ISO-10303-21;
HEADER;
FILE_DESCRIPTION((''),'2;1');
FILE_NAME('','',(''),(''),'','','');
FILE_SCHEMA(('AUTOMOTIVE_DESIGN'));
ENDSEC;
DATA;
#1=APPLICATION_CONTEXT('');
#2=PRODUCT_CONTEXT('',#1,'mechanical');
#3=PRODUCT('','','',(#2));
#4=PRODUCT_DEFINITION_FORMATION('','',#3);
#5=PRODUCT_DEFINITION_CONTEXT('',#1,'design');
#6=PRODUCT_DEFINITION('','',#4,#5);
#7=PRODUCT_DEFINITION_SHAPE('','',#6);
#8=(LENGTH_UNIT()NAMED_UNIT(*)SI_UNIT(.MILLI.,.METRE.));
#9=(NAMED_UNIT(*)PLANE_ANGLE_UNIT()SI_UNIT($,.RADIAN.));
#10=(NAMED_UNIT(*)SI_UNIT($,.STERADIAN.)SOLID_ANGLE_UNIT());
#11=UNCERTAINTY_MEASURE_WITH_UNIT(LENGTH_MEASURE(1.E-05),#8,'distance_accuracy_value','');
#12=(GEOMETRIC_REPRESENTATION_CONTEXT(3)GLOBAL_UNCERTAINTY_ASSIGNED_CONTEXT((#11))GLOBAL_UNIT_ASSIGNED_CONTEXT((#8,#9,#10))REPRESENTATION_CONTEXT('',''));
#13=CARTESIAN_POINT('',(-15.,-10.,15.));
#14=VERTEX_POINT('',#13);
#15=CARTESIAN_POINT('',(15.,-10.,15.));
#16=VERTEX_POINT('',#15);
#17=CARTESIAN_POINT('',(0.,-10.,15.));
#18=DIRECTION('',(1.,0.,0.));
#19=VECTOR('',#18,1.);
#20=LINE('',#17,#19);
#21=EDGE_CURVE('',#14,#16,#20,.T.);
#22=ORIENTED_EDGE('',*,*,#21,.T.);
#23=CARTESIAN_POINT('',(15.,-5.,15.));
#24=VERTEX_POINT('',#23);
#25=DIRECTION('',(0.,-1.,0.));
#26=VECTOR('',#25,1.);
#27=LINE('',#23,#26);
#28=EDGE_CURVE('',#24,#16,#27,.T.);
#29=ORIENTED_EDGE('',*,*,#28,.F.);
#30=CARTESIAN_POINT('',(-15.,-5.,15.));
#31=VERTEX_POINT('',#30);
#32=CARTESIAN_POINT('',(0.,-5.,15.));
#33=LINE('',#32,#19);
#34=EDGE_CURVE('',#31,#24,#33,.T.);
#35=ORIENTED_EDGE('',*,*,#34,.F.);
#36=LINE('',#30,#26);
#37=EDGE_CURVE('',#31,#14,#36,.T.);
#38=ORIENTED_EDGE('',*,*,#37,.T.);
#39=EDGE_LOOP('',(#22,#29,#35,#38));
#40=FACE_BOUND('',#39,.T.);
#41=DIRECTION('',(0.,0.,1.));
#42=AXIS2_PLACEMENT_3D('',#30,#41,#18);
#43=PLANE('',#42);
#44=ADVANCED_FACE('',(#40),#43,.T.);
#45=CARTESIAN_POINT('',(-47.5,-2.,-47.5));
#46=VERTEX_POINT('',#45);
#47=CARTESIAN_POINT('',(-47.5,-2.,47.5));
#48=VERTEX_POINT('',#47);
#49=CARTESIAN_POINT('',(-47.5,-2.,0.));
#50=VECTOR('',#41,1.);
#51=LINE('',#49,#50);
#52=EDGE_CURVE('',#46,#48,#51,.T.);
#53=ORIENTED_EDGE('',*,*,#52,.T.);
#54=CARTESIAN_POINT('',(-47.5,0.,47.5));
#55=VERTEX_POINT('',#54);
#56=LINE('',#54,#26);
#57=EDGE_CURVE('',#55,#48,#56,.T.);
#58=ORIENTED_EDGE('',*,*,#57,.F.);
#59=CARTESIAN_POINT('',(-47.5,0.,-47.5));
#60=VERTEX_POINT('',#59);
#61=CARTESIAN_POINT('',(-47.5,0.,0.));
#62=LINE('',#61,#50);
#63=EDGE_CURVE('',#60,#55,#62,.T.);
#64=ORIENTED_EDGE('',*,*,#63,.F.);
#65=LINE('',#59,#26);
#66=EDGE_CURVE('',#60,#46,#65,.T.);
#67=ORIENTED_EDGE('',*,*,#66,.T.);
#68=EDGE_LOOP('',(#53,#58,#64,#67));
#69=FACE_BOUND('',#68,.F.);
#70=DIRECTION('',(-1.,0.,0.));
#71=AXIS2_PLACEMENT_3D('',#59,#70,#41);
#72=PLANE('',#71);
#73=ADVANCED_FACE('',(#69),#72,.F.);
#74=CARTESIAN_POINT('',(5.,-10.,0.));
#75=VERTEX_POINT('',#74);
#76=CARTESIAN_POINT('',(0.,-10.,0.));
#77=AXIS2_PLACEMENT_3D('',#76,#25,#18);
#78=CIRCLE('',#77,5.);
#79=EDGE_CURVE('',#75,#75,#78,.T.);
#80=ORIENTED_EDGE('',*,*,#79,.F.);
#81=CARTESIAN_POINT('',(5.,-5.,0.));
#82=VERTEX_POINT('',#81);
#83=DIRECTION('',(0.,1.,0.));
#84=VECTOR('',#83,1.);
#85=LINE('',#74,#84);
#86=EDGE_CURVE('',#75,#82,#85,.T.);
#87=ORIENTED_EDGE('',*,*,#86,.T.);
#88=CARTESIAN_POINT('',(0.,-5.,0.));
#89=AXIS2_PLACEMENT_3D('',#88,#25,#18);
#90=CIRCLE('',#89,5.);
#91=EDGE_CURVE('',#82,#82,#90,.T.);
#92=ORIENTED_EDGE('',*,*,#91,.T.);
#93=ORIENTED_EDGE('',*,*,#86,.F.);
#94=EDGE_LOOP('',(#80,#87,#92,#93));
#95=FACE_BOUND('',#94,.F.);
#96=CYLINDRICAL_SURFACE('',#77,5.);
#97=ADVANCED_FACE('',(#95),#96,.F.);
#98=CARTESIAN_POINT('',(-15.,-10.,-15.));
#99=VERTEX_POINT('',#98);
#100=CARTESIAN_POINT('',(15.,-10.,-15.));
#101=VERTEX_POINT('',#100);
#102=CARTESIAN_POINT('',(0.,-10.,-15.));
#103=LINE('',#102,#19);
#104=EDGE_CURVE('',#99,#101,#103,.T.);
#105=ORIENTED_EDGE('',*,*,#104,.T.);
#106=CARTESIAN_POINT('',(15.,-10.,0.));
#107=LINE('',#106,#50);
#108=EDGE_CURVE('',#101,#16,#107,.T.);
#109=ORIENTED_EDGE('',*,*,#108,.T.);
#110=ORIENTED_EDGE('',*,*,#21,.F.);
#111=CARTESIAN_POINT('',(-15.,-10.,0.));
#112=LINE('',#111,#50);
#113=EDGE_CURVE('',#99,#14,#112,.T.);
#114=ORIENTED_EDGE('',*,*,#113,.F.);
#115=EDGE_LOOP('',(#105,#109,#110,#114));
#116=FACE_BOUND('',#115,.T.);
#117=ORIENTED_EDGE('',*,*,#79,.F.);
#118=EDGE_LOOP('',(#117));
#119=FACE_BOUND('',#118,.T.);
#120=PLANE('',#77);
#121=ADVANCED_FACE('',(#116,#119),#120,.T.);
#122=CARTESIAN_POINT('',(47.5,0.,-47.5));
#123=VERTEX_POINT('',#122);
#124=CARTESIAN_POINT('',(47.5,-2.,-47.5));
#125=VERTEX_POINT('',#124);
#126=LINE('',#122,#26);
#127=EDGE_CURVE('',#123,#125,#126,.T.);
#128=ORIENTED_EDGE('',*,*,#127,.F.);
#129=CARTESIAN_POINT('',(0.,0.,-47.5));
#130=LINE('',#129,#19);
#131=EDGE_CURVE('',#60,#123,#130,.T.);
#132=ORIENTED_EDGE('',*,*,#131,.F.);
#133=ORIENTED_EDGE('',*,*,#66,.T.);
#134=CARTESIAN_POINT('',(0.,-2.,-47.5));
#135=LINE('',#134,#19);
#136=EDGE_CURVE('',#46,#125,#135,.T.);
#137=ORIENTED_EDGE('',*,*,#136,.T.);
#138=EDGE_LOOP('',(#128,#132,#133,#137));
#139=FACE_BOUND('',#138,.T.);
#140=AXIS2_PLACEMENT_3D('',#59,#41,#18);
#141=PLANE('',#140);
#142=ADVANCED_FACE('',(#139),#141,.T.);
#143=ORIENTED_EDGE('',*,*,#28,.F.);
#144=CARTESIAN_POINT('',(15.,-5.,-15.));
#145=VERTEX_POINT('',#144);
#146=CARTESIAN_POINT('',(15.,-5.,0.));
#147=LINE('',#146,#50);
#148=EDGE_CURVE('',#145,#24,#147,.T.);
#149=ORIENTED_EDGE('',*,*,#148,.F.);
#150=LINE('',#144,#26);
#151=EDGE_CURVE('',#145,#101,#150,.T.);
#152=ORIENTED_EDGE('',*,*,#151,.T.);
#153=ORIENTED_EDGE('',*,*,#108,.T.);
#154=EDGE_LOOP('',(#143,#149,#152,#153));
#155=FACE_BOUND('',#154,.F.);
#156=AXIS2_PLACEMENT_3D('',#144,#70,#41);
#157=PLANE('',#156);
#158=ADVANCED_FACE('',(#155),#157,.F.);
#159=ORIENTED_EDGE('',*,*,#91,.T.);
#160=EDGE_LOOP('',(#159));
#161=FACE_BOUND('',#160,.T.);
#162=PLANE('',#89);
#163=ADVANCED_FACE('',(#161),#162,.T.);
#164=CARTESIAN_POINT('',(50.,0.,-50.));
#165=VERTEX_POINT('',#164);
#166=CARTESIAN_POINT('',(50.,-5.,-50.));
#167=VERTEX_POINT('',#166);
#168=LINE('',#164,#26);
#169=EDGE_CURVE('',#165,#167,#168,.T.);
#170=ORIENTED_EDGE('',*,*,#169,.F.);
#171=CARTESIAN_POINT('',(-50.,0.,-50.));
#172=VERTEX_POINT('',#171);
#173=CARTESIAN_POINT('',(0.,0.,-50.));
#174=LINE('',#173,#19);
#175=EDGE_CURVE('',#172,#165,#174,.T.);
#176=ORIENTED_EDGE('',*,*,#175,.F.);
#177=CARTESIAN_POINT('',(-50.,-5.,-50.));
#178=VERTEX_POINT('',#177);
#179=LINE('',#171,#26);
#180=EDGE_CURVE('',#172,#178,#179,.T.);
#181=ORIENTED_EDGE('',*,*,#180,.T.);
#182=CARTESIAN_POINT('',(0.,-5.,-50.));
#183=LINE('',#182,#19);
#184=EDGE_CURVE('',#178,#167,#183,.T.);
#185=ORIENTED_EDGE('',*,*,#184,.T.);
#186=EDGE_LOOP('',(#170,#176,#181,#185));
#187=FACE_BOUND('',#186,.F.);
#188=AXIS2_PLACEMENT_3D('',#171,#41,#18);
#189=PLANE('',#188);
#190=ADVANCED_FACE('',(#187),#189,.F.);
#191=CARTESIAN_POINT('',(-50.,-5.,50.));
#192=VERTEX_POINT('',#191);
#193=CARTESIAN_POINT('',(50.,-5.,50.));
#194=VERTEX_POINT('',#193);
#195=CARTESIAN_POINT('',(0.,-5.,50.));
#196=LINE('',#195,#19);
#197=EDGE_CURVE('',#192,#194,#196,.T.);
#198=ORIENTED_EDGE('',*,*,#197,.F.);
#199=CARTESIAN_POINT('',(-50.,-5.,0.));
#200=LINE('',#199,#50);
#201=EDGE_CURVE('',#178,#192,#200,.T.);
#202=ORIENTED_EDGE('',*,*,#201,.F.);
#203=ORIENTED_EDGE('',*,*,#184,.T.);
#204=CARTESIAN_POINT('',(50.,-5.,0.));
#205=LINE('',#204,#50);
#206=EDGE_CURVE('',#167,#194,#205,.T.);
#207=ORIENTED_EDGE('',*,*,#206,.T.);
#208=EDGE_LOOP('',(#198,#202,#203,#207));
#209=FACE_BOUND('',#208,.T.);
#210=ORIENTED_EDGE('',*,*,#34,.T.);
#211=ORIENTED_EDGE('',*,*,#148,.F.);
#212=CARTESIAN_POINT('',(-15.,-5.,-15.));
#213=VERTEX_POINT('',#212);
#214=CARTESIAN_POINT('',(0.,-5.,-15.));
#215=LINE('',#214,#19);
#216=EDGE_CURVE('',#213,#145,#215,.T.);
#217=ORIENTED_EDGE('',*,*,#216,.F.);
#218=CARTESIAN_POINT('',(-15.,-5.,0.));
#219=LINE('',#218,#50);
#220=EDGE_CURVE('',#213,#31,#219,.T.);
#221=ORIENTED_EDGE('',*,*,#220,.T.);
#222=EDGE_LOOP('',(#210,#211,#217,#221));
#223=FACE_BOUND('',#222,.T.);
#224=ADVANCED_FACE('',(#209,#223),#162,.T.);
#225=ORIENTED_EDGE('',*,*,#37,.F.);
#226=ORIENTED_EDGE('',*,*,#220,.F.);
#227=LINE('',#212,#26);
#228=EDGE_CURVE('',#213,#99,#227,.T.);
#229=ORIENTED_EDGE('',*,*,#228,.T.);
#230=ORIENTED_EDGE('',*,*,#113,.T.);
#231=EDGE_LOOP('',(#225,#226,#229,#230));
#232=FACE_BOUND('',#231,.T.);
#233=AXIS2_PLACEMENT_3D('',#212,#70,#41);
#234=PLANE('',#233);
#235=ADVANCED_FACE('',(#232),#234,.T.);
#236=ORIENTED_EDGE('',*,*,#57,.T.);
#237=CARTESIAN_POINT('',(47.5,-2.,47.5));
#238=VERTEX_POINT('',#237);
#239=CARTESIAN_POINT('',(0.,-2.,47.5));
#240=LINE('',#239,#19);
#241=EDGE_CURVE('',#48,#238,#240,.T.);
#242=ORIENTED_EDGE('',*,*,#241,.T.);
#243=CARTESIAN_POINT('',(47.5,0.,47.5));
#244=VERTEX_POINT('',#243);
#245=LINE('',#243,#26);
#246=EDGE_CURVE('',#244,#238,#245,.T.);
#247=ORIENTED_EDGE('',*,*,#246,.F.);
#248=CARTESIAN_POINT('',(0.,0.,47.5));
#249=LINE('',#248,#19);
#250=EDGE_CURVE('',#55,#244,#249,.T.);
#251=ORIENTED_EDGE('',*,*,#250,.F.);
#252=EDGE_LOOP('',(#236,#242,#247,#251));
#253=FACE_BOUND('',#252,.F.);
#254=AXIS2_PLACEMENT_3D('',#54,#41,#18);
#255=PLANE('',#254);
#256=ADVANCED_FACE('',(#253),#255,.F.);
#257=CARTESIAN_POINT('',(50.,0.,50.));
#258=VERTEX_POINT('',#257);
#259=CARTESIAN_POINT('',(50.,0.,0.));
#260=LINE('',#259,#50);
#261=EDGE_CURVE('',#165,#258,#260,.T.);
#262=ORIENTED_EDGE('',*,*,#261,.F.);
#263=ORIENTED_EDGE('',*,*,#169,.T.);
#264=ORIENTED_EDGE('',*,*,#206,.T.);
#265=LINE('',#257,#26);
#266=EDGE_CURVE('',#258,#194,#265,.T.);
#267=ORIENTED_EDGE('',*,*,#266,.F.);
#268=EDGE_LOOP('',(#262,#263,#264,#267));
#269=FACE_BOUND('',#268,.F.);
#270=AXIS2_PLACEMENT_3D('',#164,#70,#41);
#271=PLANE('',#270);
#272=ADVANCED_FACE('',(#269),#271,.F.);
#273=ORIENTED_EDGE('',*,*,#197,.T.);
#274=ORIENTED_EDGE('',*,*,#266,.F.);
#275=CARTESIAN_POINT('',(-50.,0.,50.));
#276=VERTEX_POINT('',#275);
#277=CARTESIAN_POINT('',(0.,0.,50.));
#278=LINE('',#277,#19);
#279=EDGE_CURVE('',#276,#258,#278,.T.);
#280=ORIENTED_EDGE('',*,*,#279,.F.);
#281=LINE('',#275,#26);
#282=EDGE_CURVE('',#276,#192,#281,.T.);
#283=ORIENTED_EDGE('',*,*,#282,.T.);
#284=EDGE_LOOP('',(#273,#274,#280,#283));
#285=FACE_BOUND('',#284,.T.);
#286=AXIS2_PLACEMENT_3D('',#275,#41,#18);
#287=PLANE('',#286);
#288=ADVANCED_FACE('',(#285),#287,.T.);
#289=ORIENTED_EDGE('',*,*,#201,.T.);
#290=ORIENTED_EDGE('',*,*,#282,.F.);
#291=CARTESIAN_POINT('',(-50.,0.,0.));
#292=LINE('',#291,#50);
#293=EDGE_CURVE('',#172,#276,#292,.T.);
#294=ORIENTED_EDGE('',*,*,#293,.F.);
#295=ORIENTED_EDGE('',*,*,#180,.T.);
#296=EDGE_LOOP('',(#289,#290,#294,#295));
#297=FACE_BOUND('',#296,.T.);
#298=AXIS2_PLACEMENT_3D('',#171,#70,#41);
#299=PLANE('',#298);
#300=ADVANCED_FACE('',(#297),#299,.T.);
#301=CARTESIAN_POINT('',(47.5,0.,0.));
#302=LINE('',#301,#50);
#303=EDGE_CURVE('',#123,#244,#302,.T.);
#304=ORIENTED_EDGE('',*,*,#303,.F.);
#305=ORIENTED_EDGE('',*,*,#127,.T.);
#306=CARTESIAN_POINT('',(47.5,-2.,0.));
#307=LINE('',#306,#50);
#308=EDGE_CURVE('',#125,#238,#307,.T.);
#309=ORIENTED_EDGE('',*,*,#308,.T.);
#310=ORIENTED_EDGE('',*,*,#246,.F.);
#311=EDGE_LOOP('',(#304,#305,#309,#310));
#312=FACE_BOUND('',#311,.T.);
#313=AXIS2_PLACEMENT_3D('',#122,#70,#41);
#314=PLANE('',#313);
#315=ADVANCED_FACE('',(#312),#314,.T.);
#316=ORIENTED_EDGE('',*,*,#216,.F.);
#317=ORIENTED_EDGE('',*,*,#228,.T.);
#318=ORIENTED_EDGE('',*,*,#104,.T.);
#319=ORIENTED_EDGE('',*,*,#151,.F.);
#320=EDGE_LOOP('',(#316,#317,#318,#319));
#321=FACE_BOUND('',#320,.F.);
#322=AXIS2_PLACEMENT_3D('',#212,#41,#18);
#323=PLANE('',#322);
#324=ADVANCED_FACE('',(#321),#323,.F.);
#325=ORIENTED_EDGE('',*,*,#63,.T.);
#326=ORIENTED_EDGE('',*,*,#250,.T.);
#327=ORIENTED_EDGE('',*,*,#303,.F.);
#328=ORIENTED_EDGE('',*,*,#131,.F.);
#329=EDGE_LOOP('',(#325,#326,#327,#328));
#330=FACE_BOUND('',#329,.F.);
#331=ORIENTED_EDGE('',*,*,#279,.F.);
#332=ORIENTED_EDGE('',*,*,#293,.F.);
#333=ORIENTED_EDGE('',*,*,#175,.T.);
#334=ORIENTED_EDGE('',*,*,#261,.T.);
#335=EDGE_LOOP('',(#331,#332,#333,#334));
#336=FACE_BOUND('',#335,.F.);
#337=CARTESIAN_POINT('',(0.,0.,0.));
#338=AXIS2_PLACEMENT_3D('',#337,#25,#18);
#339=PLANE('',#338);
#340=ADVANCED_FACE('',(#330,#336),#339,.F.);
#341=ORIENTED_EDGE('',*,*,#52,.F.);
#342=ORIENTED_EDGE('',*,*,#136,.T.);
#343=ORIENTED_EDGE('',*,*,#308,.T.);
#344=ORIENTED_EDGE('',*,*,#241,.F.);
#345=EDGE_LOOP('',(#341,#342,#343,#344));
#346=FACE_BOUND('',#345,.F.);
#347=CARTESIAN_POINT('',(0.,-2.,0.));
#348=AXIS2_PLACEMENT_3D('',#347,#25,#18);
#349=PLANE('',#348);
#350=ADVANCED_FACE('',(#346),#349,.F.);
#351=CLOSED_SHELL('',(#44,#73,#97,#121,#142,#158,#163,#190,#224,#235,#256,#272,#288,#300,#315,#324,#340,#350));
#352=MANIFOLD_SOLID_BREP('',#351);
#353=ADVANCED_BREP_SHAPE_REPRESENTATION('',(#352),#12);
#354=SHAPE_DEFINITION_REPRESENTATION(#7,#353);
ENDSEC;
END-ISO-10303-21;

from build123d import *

# Parameters (mm, degrees)
F0_W     = 100
F0_H     = 100
F0_W_2   = 95
F0_H_2   = 95
F1_DEPTH = 5
F2_DEPTH = 2
F3_W     = 30
F3_H     = 30
F4_DEPTH = 5
F5_R     = 5
F6_DEPTH = 5


with BuildPart() as f1:
    # F0 (on Front) → F1 (new body)
    with BuildSketch(Plane.XZ):
        Rectangle(F0_W, F0_H)
        Rectangle(F0_W_2, F0_H_2, mode=Mode.SUBTRACT)
        Rectangle(F0_W_2, F0_H_2)
    extrude(amount=F1_DEPTH)

    # F0 (on Front) → F2 (cut)
    with BuildSketch(Plane.XZ):
        Rectangle(F0_W_2, F0_H_2)
    extrude(amount=F2_DEPTH, mode=Mode.SUBTRACT)

    # F3 (on face) → F4 (join)
    with BuildSketch(Plane.XZ.offset(5)):
        Rectangle(F3_W, F3_H)
    extrude(amount=F4_DEPTH)

    # F5 (on face) → F6 (cut)
    with BuildSketch(Plane.XZ.offset(10)):
        Circle(F5_R)
    extrude(amount=-F6_DEPTH, mode=Mode.SUBTRACT)


solid = f1.part
